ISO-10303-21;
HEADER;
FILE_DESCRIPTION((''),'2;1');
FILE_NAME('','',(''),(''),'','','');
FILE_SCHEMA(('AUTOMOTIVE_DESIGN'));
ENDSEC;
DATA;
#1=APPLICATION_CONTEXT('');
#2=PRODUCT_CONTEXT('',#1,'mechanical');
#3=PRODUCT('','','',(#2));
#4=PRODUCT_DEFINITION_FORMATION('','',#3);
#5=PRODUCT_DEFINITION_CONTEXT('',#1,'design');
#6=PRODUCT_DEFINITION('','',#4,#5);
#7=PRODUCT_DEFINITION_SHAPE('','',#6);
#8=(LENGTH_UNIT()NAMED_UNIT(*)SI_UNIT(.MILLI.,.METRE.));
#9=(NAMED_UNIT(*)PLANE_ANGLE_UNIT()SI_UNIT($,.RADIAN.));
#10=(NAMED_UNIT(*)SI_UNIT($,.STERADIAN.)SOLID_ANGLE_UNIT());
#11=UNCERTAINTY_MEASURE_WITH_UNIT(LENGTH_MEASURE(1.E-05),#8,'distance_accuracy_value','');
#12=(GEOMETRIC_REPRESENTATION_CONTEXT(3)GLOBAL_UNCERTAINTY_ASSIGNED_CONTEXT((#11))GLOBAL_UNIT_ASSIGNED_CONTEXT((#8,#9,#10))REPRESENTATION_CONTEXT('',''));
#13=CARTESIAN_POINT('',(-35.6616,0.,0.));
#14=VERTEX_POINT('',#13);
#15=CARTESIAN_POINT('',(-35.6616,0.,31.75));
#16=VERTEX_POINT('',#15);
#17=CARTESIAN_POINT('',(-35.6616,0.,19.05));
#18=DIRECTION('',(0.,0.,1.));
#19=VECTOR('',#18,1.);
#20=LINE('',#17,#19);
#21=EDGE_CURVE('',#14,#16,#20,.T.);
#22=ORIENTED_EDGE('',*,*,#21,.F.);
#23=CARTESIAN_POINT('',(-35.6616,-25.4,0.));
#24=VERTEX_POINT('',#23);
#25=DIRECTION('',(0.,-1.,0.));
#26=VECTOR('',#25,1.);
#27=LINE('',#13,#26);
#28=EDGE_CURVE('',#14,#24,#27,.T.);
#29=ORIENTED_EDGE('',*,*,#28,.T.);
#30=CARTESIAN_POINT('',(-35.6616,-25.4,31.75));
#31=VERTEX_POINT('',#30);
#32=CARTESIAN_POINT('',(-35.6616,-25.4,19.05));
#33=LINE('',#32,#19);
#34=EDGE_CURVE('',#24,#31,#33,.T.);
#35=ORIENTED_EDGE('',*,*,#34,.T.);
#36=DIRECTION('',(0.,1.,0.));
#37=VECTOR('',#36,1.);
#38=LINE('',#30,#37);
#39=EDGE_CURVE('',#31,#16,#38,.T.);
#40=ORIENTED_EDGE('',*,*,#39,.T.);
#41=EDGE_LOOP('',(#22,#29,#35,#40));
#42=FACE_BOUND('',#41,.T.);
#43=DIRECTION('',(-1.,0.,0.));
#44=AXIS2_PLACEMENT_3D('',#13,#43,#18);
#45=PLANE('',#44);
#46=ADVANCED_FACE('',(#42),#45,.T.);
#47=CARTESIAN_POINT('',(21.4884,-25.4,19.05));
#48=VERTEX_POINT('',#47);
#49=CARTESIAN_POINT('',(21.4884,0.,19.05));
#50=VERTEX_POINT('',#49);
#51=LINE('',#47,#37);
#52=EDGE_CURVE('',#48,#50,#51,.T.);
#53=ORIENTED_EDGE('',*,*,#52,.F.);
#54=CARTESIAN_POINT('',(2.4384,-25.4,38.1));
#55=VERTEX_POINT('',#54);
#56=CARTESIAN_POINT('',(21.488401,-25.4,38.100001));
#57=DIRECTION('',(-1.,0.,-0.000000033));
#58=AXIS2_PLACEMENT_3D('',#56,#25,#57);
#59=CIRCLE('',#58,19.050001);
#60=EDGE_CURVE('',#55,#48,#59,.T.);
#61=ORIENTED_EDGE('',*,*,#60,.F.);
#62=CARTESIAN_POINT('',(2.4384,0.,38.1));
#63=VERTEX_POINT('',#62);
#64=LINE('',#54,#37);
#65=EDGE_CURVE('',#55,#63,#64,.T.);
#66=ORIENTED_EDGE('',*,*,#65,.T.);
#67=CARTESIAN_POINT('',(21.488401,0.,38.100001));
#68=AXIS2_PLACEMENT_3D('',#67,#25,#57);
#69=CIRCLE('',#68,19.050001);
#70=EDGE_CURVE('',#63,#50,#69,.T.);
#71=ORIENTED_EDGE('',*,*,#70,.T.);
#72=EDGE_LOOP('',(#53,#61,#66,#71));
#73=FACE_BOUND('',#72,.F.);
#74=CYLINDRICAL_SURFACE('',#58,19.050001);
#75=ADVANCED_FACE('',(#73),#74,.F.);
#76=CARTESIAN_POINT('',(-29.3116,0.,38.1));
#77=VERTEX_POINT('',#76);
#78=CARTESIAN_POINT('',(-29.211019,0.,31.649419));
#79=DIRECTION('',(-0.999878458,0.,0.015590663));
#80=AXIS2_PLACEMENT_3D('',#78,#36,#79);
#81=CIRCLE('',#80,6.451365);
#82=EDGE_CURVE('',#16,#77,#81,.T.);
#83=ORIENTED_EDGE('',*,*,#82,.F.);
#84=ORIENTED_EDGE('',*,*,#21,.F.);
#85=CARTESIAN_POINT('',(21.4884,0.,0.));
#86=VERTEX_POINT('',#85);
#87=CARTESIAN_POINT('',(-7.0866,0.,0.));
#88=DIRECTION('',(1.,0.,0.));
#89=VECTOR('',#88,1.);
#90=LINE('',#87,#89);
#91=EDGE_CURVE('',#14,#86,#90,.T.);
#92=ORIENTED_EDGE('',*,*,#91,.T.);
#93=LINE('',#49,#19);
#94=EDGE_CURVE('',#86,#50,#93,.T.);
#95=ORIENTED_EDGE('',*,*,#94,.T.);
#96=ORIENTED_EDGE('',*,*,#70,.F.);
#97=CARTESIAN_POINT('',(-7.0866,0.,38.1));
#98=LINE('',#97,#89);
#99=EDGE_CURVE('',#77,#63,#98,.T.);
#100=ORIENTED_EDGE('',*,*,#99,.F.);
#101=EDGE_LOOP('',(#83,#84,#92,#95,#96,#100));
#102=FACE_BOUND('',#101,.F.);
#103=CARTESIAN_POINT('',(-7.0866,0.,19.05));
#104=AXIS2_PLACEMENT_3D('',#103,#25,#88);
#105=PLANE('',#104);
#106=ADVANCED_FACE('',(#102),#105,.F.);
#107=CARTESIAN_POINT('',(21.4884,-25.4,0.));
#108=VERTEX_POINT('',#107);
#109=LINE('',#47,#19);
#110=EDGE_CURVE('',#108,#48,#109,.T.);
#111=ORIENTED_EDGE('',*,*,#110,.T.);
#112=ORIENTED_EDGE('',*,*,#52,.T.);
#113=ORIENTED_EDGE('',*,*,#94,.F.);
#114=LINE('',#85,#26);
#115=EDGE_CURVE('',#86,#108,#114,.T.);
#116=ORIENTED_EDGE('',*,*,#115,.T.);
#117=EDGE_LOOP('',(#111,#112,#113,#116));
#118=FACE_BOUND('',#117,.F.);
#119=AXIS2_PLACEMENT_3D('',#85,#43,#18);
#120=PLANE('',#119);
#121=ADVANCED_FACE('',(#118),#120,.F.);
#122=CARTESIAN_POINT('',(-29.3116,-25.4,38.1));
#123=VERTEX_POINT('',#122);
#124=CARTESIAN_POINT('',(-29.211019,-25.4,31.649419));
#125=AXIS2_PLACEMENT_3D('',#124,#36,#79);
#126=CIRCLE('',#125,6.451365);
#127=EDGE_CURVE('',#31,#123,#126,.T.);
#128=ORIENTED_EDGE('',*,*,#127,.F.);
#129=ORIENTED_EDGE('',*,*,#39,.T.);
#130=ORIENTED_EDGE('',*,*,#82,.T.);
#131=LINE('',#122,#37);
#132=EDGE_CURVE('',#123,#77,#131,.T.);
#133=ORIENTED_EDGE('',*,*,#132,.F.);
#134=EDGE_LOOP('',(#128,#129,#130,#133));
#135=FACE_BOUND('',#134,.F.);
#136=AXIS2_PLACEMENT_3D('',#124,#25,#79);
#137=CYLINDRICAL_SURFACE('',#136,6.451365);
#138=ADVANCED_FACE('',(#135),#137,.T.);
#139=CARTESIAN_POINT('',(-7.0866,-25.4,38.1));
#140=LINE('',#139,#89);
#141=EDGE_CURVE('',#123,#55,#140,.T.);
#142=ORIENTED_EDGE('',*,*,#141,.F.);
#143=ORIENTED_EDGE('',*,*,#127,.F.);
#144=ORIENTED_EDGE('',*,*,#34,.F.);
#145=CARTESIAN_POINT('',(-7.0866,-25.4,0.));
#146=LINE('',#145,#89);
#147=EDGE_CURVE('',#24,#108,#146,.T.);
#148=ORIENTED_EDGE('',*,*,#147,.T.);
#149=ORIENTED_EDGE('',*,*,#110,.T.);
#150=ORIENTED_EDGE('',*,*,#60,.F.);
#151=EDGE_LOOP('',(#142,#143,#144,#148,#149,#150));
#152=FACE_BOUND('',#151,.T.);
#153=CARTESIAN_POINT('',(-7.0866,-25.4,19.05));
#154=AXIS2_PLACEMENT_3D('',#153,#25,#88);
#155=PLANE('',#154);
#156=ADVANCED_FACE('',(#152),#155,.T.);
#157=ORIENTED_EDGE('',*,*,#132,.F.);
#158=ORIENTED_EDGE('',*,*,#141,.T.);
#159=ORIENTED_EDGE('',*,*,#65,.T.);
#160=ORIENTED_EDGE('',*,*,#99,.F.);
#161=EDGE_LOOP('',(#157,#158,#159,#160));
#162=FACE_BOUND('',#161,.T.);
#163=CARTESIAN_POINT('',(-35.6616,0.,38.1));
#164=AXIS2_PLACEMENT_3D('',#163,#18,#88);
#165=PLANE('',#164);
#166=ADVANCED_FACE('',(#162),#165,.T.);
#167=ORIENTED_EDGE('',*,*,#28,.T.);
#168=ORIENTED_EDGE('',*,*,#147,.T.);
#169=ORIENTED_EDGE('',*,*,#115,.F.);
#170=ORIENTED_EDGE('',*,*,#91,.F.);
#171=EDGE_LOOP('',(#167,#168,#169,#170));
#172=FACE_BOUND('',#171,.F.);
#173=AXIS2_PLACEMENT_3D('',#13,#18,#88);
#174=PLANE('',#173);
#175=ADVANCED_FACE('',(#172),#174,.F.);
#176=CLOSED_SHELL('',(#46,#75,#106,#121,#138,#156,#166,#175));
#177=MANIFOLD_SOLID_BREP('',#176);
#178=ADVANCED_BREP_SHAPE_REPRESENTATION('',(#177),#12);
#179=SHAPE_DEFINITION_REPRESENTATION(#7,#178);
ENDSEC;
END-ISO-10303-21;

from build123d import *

# Parameters (mm, degrees)
F0_W     = 57.15
F0_H     = 38.1
F1_DEPTH = 25.4
F3_DEPTH = 25.4
F5_DEPTH = 25.4


with BuildPart() as f1:
    # F0 (on Front) → F1 (new body)
    with BuildSketch(Plane.XZ):
        with Locations((-7.0866, 19.05)):
            Rectangle(F0_W, F0_H)
    extrude(amount=F1_DEPTH)

    # F2 (on face) → F3 (cut)
    with BuildSketch(Plane.XZ.offset(25.4)):
        with BuildLine():
            Line((21.4884, 38.1), (2.4384, 38.1))
            ThreePointArc((2.4384, 38.1), (8.018016, 24.629616), (21.4884, 19.05))
            Line((21.4884, 19.05), (21.4884, 38.1))
        make_face()
    extrude(amount=-F3_DEPTH, mode=Mode.SUBTRACT)

    # F4 (on face) → F5 (cut)
    with BuildSketch(Plane.XZ.offset(25.4)):
        with BuildLine():
            ThreePointArc((-35.6616, 31.75), (-33.772823, 36.211223), (-29.3116, 38.1))
            Line((-29.3116, 38.1), (-35.6616, 38.1))
            Line((-35.6616, 38.1), (-35.6616, 31.75))
        make_face()
    extrude(amount=-F5_DEPTH, mode=Mode.SUBTRACT)


solid = f1.part
